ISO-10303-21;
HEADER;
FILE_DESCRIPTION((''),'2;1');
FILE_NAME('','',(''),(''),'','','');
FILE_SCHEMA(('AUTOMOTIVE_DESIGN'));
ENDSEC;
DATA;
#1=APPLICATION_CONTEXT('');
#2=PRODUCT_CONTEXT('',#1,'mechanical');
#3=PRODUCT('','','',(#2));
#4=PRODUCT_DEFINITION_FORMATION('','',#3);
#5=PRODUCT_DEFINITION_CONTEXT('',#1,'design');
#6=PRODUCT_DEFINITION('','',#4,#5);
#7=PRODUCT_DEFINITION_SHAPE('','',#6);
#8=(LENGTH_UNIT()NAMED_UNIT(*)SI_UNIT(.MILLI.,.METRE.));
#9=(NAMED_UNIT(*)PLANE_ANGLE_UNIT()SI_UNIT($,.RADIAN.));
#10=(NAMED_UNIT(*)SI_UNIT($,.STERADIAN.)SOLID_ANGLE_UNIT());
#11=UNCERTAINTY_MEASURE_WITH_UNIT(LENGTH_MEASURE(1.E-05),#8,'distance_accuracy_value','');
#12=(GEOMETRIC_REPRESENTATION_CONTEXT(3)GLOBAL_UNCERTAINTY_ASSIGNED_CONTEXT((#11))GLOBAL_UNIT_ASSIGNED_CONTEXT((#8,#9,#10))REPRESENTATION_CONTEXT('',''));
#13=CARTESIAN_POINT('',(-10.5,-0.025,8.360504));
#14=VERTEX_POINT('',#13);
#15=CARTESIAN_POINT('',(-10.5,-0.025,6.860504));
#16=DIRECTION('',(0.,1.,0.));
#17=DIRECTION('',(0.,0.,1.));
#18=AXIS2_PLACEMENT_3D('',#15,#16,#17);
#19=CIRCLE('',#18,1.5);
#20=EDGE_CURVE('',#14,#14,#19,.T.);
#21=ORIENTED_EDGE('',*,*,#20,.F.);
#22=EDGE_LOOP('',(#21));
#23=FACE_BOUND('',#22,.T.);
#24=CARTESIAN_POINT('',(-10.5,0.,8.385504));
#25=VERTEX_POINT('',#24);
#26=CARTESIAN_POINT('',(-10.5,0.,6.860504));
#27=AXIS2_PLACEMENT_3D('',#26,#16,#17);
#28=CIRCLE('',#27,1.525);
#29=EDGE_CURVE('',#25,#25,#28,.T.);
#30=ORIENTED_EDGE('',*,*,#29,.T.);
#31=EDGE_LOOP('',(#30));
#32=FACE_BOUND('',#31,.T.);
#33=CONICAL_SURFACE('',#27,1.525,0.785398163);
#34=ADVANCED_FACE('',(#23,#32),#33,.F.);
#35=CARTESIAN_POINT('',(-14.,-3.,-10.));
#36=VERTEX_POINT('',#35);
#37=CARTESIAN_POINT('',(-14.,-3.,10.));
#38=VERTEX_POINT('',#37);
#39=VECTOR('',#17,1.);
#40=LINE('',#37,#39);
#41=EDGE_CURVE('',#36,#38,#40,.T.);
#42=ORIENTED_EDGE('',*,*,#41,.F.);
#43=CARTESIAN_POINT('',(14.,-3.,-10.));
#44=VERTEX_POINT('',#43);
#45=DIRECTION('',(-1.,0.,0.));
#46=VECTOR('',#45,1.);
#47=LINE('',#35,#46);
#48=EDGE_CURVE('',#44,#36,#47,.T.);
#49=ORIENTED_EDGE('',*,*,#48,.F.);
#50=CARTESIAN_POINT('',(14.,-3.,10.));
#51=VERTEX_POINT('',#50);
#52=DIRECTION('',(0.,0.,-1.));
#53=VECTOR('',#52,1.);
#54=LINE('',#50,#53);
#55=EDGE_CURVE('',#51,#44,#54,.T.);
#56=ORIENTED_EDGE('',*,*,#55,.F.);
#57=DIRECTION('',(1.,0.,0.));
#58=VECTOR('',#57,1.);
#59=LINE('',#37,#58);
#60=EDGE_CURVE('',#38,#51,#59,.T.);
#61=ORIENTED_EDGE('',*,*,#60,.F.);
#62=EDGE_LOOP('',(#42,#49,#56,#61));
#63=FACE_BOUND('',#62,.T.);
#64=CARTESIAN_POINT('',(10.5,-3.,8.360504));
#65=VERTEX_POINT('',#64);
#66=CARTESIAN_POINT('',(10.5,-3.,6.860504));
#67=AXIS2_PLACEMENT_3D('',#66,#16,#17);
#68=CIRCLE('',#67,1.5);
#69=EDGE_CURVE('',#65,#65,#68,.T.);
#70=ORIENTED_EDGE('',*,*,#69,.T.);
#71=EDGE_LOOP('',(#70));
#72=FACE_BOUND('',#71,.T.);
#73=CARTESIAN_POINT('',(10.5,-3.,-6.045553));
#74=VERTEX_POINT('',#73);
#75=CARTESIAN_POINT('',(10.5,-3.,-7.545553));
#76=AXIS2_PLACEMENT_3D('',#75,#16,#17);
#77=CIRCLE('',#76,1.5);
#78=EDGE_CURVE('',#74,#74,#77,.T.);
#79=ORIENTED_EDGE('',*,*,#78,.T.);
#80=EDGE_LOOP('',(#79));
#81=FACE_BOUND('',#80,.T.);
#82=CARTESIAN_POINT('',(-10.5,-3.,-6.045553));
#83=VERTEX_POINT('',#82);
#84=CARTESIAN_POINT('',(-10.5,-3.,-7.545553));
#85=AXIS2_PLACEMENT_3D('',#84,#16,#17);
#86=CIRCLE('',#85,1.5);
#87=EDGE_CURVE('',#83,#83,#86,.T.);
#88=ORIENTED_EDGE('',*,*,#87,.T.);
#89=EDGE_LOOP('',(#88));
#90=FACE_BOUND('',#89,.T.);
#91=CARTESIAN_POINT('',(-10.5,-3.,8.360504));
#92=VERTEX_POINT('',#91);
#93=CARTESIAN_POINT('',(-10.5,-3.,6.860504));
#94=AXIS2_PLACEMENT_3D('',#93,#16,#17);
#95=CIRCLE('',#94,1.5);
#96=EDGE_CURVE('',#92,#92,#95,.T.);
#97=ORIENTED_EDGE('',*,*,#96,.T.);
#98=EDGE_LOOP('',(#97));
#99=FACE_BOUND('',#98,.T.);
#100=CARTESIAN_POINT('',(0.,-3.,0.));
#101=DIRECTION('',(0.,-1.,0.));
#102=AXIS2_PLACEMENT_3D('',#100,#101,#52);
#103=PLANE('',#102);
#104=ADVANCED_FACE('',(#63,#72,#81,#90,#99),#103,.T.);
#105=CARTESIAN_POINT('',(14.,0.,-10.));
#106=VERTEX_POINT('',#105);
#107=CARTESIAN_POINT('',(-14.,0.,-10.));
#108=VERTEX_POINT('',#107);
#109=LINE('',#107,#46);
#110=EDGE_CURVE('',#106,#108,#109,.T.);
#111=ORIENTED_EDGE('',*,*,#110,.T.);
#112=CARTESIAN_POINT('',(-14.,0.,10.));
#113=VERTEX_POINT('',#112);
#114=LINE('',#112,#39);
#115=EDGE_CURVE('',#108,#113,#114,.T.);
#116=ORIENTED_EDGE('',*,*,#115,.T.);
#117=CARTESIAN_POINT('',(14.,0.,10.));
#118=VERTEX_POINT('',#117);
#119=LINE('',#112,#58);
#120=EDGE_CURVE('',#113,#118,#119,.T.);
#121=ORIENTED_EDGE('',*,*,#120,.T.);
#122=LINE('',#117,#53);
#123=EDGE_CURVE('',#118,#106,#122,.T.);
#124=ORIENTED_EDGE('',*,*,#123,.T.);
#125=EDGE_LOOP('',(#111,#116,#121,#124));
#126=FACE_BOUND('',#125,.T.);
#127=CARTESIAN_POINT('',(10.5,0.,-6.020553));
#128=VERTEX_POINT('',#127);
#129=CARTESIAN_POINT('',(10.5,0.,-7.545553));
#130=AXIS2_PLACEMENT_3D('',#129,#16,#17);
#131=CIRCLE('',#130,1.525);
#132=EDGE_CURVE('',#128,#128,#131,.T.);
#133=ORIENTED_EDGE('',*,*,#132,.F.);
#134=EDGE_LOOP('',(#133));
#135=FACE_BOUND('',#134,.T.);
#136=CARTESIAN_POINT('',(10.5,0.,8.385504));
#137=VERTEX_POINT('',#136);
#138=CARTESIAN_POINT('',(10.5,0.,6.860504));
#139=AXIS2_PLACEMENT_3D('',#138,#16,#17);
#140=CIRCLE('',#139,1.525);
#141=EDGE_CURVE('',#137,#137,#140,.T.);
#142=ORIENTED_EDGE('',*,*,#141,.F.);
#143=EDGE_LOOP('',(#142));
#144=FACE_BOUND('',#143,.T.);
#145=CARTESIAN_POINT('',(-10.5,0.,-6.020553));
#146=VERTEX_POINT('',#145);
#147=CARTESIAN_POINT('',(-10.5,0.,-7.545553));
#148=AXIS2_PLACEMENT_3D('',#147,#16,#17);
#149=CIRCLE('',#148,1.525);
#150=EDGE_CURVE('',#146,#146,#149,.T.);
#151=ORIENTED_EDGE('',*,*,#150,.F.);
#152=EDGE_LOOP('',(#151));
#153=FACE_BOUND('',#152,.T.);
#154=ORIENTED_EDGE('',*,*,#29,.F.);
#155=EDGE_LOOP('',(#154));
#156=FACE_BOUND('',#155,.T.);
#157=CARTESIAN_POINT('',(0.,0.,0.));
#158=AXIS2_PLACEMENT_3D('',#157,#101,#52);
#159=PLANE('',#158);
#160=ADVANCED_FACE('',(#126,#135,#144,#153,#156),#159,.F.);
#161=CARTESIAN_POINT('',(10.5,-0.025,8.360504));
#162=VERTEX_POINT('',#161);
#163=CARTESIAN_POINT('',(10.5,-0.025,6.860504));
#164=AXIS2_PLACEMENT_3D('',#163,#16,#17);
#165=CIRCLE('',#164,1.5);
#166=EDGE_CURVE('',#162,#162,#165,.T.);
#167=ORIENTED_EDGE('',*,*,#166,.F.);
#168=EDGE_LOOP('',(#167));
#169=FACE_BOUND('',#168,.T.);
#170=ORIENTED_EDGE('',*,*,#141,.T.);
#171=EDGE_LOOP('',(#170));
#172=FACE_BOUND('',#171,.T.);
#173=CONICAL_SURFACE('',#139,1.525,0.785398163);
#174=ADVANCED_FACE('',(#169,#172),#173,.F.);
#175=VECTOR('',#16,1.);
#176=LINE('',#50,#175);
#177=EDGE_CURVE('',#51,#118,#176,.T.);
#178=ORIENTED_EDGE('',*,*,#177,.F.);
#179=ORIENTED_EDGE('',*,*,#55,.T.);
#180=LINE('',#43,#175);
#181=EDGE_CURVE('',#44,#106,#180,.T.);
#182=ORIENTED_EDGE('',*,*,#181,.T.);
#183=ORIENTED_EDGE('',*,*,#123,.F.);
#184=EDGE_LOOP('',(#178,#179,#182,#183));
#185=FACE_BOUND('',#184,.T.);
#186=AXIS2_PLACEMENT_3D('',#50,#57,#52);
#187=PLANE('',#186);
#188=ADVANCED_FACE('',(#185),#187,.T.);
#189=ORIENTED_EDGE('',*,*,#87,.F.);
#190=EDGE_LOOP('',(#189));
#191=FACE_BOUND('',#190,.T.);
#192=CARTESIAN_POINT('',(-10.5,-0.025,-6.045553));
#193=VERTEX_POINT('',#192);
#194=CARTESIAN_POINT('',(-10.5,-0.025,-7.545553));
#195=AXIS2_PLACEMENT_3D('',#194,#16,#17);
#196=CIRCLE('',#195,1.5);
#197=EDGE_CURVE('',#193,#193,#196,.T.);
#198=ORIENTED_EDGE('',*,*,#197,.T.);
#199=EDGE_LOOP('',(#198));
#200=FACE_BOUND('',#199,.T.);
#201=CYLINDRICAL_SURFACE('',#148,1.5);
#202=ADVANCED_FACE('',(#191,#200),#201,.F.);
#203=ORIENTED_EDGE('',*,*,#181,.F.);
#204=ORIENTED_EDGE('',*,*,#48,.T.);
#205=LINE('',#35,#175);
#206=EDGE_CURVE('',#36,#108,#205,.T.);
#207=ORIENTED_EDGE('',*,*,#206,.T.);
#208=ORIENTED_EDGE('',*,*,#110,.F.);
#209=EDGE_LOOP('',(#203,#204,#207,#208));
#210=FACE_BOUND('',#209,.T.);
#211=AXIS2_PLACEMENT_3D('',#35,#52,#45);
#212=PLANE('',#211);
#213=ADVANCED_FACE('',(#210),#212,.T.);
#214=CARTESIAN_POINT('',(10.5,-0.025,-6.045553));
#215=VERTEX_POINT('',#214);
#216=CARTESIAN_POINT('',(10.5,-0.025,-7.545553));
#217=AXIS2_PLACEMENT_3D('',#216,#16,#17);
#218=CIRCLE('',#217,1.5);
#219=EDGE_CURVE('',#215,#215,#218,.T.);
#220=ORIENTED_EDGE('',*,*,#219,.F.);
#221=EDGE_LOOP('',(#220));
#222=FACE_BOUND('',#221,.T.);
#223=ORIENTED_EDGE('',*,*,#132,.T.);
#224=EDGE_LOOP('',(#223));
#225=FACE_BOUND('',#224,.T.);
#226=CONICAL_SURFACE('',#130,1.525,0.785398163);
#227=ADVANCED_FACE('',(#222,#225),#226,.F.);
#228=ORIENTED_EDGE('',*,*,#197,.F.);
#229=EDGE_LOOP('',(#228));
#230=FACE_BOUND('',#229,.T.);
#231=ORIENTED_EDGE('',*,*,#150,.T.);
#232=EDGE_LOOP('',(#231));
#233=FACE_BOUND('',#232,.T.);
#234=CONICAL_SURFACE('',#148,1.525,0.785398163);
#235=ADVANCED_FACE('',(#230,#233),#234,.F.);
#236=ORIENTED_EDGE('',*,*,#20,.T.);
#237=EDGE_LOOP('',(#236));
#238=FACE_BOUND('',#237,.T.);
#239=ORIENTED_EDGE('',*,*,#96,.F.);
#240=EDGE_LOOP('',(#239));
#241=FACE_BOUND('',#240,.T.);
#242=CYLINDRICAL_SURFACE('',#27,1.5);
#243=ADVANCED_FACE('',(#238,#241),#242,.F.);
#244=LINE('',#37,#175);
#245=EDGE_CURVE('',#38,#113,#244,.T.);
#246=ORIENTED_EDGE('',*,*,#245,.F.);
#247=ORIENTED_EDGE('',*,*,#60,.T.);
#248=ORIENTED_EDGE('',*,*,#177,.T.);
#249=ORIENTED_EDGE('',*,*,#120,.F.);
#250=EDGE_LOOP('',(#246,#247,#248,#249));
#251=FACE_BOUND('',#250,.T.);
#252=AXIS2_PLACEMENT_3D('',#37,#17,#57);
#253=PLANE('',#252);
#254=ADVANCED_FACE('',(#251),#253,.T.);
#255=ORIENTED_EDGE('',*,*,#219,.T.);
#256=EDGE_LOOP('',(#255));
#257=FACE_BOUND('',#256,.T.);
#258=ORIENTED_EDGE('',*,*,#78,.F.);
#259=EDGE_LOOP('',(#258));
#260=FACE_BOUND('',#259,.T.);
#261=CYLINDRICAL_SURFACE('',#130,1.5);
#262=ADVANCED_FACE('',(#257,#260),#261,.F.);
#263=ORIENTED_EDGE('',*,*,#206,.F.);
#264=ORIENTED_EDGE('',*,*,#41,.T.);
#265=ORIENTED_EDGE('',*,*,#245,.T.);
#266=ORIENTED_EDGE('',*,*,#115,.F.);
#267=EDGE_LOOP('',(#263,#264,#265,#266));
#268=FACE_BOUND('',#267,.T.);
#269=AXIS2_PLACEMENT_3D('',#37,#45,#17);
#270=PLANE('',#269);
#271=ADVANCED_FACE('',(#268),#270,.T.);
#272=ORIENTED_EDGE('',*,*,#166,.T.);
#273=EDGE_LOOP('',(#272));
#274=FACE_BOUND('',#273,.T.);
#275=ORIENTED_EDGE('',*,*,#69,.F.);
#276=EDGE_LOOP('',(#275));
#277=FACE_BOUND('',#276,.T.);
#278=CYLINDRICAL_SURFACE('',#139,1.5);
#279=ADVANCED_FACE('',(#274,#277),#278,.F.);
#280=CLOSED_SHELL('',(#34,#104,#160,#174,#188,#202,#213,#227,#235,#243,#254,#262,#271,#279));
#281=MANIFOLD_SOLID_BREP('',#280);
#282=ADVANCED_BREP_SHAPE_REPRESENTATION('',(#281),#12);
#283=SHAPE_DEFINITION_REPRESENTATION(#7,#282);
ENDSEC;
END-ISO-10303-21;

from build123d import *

# Parameters (mm, degrees)
SKETCH1_W                          = 28
SKETCH1_H                          = 20
BOSS_EXTRUDE1_DEPTH                = 3
F_3_0_3_DIAMETER_HOLE7_D           = 3
F_3_0_3_DIAMETER_HOLE7_DEPTH       = 3
F_3_0_3_DIAMETER_HOLE7_CSINK_D     = 3.05
F_3_0_3_DIAMETER_HOLE7_CSINK_ANGLE = 90
F_3_0_3_DIAMETER_HOLE7_TIP         = 0.901290929


with BuildPart() as part:
    # Sketch1 → Boss-Extrude1 (new body)
    with BuildSketch(Plane(origin=(0, 0, 0), x_dir=(1, 0, 0), z_dir=(0, 1, 0))):
        Rectangle(SKETCH1_W, SKETCH1_H)
    extrude(amount=-BOSS_EXTRUDE1_DEPTH)

    # Ø3.0 (3) Diameter Hole7
    with Locations(Plane(origin=(0, 0, 0), x_dir=(1, 0, 0), z_dir=(0, 1, 0))):
        with Locations((-10.5, 7.545553469), (10.5, 7.545553469), (10.5, -6.860504487), (-10.5, -6.860504487)):
            CounterSinkHole(F_3_0_3_DIAMETER_HOLE7_D / 2, F_3_0_3_DIAMETER_HOLE7_CSINK_D / 2, depth=F_3_0_3_DIAMETER_HOLE7_DEPTH, counter_sink_angle=F_3_0_3_DIAMETER_HOLE7_CSINK_ANGLE)
            with Locations((0, 0, -(F_3_0_3_DIAMETER_HOLE7_DEPTH + F_3_0_3_DIAMETER_HOLE7_TIP / 2))):  # 118° drill point
                Cone(0, F_3_0_3_DIAMETER_HOLE7_D / 2, F_3_0_3_DIAMETER_HOLE7_TIP, mode=Mode.SUBTRACT)


solid = part.part
